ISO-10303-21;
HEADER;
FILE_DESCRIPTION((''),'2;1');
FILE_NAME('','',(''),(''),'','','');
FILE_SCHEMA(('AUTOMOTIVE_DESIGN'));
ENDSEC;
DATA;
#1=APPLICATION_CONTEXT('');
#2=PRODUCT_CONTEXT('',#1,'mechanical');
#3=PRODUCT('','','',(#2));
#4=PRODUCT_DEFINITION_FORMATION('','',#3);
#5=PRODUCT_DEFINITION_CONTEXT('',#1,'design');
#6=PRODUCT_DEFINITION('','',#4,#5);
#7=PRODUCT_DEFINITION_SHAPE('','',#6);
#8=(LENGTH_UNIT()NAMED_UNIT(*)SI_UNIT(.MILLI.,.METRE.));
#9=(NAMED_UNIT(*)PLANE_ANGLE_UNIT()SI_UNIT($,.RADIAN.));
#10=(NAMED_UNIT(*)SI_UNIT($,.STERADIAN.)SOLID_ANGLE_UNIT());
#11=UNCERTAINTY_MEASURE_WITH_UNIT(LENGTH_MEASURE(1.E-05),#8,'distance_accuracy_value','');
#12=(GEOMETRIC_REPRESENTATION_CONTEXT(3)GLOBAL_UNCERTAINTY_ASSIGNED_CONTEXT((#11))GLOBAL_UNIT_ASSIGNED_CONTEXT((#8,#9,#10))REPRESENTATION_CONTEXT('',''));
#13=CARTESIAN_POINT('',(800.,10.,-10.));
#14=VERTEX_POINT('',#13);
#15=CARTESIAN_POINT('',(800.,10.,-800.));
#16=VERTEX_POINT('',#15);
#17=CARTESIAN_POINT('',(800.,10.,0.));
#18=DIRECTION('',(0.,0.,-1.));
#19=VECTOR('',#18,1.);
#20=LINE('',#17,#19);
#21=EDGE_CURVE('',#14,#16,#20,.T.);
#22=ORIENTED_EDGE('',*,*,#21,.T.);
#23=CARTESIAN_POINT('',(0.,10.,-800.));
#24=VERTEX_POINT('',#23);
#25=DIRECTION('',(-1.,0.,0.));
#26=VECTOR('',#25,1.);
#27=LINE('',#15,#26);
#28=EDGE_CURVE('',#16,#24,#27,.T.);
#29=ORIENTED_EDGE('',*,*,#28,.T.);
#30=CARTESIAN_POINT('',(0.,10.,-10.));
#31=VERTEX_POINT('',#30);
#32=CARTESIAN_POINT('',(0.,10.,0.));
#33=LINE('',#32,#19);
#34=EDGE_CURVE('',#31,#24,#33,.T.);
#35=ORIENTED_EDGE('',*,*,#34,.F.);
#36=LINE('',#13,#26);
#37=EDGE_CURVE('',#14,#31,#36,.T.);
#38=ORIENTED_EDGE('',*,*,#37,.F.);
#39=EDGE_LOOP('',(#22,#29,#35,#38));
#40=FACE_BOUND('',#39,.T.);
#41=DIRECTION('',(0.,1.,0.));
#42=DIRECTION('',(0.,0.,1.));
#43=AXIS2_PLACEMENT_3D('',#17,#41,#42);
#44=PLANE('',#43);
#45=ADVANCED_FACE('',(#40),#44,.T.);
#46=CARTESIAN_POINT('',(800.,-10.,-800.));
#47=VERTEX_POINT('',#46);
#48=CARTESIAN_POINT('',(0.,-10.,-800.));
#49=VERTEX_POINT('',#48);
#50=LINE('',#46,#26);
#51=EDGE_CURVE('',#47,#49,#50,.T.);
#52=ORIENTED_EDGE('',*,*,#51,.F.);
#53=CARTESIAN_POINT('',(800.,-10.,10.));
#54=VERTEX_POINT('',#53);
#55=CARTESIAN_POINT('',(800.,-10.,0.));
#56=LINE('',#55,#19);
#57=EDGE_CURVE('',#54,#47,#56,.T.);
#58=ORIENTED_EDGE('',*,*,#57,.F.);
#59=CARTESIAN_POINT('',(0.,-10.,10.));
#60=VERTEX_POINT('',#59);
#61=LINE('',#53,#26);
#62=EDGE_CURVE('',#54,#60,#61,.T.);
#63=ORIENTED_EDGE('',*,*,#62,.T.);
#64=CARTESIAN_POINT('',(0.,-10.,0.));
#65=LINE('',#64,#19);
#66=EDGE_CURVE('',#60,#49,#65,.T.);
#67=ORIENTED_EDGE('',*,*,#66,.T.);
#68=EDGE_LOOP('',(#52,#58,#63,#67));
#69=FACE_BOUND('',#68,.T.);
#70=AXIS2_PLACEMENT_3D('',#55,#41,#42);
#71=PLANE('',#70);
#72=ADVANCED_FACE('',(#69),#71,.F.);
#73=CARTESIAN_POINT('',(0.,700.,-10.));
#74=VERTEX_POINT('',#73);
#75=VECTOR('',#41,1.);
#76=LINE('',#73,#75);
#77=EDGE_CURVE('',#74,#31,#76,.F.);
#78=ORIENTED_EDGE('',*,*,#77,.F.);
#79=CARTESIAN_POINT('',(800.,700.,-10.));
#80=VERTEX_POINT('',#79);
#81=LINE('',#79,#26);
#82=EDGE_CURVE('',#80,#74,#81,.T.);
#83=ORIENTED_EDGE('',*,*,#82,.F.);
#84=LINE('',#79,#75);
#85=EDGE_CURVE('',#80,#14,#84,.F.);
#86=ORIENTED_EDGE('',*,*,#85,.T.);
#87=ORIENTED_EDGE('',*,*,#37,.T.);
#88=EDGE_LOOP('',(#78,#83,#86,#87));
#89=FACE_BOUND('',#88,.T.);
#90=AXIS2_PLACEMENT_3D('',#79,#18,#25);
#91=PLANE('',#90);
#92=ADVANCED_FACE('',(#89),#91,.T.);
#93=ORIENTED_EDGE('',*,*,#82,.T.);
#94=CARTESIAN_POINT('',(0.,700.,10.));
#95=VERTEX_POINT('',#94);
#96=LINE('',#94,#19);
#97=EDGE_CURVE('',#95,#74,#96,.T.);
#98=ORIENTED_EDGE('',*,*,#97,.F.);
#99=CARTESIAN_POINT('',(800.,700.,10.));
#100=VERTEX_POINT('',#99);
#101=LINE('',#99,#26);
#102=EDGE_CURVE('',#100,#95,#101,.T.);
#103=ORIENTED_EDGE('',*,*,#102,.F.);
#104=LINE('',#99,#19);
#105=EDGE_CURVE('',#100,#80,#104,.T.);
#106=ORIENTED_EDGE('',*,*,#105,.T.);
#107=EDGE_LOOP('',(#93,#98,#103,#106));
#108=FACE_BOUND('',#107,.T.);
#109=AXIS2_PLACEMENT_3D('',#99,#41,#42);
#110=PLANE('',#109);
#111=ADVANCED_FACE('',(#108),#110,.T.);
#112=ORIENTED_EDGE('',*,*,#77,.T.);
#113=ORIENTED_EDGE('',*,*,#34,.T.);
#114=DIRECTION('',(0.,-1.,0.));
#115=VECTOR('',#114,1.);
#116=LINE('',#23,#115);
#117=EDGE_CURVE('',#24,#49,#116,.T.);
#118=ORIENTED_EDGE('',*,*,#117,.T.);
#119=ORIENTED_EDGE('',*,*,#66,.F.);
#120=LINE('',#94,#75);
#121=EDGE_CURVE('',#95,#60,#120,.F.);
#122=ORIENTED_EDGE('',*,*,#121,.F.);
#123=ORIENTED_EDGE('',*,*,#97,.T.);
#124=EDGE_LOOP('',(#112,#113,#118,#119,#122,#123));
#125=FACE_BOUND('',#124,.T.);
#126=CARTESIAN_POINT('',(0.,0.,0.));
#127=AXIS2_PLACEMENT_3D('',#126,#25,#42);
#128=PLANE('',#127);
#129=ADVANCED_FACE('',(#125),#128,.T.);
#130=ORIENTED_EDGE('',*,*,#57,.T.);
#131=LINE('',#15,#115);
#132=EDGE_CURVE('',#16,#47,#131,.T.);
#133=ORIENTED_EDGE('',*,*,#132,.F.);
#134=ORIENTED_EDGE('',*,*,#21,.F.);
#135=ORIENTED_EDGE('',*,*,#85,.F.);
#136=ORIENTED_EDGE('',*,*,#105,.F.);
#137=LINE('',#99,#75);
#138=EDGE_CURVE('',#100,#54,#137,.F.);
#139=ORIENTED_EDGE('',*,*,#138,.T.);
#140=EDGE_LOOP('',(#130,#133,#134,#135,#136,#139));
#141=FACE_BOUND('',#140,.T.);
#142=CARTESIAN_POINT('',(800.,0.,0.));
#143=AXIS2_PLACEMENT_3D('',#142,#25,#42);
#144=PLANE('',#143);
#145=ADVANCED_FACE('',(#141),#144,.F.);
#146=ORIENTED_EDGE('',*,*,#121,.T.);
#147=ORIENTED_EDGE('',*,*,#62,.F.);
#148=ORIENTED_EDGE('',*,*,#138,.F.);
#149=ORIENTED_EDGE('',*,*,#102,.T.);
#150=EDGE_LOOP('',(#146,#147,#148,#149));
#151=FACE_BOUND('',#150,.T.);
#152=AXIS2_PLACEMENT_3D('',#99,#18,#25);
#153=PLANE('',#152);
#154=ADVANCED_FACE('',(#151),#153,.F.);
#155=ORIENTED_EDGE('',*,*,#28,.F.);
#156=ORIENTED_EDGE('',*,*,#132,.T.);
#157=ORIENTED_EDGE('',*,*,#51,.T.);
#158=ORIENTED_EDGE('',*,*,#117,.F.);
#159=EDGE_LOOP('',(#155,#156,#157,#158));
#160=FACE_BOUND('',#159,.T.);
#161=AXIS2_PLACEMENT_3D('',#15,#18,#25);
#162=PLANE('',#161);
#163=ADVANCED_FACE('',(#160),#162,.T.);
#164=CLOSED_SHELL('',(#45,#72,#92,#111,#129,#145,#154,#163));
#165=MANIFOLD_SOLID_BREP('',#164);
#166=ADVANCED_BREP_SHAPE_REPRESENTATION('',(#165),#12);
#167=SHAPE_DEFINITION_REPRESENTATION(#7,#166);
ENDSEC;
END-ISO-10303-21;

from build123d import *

# Parameters (mm, degrees)
EXTRUDE_THIN1_DEPTH = 800


with BuildPart() as part:
    # Sketch1 → Extrude-Thin1 (new body)
    with BuildSketch(Plane(origin=(0, 0, 0), x_dir=(0, 0, -1), z_dir=(1, 0, 0))):
        Polygon((-10, 700), (-10, -10), (800, -10), (800, 10), (10, 10), (10, 700), align=None)
    extrude(amount=EXTRUDE_THIN1_DEPTH)


solid = part.part
